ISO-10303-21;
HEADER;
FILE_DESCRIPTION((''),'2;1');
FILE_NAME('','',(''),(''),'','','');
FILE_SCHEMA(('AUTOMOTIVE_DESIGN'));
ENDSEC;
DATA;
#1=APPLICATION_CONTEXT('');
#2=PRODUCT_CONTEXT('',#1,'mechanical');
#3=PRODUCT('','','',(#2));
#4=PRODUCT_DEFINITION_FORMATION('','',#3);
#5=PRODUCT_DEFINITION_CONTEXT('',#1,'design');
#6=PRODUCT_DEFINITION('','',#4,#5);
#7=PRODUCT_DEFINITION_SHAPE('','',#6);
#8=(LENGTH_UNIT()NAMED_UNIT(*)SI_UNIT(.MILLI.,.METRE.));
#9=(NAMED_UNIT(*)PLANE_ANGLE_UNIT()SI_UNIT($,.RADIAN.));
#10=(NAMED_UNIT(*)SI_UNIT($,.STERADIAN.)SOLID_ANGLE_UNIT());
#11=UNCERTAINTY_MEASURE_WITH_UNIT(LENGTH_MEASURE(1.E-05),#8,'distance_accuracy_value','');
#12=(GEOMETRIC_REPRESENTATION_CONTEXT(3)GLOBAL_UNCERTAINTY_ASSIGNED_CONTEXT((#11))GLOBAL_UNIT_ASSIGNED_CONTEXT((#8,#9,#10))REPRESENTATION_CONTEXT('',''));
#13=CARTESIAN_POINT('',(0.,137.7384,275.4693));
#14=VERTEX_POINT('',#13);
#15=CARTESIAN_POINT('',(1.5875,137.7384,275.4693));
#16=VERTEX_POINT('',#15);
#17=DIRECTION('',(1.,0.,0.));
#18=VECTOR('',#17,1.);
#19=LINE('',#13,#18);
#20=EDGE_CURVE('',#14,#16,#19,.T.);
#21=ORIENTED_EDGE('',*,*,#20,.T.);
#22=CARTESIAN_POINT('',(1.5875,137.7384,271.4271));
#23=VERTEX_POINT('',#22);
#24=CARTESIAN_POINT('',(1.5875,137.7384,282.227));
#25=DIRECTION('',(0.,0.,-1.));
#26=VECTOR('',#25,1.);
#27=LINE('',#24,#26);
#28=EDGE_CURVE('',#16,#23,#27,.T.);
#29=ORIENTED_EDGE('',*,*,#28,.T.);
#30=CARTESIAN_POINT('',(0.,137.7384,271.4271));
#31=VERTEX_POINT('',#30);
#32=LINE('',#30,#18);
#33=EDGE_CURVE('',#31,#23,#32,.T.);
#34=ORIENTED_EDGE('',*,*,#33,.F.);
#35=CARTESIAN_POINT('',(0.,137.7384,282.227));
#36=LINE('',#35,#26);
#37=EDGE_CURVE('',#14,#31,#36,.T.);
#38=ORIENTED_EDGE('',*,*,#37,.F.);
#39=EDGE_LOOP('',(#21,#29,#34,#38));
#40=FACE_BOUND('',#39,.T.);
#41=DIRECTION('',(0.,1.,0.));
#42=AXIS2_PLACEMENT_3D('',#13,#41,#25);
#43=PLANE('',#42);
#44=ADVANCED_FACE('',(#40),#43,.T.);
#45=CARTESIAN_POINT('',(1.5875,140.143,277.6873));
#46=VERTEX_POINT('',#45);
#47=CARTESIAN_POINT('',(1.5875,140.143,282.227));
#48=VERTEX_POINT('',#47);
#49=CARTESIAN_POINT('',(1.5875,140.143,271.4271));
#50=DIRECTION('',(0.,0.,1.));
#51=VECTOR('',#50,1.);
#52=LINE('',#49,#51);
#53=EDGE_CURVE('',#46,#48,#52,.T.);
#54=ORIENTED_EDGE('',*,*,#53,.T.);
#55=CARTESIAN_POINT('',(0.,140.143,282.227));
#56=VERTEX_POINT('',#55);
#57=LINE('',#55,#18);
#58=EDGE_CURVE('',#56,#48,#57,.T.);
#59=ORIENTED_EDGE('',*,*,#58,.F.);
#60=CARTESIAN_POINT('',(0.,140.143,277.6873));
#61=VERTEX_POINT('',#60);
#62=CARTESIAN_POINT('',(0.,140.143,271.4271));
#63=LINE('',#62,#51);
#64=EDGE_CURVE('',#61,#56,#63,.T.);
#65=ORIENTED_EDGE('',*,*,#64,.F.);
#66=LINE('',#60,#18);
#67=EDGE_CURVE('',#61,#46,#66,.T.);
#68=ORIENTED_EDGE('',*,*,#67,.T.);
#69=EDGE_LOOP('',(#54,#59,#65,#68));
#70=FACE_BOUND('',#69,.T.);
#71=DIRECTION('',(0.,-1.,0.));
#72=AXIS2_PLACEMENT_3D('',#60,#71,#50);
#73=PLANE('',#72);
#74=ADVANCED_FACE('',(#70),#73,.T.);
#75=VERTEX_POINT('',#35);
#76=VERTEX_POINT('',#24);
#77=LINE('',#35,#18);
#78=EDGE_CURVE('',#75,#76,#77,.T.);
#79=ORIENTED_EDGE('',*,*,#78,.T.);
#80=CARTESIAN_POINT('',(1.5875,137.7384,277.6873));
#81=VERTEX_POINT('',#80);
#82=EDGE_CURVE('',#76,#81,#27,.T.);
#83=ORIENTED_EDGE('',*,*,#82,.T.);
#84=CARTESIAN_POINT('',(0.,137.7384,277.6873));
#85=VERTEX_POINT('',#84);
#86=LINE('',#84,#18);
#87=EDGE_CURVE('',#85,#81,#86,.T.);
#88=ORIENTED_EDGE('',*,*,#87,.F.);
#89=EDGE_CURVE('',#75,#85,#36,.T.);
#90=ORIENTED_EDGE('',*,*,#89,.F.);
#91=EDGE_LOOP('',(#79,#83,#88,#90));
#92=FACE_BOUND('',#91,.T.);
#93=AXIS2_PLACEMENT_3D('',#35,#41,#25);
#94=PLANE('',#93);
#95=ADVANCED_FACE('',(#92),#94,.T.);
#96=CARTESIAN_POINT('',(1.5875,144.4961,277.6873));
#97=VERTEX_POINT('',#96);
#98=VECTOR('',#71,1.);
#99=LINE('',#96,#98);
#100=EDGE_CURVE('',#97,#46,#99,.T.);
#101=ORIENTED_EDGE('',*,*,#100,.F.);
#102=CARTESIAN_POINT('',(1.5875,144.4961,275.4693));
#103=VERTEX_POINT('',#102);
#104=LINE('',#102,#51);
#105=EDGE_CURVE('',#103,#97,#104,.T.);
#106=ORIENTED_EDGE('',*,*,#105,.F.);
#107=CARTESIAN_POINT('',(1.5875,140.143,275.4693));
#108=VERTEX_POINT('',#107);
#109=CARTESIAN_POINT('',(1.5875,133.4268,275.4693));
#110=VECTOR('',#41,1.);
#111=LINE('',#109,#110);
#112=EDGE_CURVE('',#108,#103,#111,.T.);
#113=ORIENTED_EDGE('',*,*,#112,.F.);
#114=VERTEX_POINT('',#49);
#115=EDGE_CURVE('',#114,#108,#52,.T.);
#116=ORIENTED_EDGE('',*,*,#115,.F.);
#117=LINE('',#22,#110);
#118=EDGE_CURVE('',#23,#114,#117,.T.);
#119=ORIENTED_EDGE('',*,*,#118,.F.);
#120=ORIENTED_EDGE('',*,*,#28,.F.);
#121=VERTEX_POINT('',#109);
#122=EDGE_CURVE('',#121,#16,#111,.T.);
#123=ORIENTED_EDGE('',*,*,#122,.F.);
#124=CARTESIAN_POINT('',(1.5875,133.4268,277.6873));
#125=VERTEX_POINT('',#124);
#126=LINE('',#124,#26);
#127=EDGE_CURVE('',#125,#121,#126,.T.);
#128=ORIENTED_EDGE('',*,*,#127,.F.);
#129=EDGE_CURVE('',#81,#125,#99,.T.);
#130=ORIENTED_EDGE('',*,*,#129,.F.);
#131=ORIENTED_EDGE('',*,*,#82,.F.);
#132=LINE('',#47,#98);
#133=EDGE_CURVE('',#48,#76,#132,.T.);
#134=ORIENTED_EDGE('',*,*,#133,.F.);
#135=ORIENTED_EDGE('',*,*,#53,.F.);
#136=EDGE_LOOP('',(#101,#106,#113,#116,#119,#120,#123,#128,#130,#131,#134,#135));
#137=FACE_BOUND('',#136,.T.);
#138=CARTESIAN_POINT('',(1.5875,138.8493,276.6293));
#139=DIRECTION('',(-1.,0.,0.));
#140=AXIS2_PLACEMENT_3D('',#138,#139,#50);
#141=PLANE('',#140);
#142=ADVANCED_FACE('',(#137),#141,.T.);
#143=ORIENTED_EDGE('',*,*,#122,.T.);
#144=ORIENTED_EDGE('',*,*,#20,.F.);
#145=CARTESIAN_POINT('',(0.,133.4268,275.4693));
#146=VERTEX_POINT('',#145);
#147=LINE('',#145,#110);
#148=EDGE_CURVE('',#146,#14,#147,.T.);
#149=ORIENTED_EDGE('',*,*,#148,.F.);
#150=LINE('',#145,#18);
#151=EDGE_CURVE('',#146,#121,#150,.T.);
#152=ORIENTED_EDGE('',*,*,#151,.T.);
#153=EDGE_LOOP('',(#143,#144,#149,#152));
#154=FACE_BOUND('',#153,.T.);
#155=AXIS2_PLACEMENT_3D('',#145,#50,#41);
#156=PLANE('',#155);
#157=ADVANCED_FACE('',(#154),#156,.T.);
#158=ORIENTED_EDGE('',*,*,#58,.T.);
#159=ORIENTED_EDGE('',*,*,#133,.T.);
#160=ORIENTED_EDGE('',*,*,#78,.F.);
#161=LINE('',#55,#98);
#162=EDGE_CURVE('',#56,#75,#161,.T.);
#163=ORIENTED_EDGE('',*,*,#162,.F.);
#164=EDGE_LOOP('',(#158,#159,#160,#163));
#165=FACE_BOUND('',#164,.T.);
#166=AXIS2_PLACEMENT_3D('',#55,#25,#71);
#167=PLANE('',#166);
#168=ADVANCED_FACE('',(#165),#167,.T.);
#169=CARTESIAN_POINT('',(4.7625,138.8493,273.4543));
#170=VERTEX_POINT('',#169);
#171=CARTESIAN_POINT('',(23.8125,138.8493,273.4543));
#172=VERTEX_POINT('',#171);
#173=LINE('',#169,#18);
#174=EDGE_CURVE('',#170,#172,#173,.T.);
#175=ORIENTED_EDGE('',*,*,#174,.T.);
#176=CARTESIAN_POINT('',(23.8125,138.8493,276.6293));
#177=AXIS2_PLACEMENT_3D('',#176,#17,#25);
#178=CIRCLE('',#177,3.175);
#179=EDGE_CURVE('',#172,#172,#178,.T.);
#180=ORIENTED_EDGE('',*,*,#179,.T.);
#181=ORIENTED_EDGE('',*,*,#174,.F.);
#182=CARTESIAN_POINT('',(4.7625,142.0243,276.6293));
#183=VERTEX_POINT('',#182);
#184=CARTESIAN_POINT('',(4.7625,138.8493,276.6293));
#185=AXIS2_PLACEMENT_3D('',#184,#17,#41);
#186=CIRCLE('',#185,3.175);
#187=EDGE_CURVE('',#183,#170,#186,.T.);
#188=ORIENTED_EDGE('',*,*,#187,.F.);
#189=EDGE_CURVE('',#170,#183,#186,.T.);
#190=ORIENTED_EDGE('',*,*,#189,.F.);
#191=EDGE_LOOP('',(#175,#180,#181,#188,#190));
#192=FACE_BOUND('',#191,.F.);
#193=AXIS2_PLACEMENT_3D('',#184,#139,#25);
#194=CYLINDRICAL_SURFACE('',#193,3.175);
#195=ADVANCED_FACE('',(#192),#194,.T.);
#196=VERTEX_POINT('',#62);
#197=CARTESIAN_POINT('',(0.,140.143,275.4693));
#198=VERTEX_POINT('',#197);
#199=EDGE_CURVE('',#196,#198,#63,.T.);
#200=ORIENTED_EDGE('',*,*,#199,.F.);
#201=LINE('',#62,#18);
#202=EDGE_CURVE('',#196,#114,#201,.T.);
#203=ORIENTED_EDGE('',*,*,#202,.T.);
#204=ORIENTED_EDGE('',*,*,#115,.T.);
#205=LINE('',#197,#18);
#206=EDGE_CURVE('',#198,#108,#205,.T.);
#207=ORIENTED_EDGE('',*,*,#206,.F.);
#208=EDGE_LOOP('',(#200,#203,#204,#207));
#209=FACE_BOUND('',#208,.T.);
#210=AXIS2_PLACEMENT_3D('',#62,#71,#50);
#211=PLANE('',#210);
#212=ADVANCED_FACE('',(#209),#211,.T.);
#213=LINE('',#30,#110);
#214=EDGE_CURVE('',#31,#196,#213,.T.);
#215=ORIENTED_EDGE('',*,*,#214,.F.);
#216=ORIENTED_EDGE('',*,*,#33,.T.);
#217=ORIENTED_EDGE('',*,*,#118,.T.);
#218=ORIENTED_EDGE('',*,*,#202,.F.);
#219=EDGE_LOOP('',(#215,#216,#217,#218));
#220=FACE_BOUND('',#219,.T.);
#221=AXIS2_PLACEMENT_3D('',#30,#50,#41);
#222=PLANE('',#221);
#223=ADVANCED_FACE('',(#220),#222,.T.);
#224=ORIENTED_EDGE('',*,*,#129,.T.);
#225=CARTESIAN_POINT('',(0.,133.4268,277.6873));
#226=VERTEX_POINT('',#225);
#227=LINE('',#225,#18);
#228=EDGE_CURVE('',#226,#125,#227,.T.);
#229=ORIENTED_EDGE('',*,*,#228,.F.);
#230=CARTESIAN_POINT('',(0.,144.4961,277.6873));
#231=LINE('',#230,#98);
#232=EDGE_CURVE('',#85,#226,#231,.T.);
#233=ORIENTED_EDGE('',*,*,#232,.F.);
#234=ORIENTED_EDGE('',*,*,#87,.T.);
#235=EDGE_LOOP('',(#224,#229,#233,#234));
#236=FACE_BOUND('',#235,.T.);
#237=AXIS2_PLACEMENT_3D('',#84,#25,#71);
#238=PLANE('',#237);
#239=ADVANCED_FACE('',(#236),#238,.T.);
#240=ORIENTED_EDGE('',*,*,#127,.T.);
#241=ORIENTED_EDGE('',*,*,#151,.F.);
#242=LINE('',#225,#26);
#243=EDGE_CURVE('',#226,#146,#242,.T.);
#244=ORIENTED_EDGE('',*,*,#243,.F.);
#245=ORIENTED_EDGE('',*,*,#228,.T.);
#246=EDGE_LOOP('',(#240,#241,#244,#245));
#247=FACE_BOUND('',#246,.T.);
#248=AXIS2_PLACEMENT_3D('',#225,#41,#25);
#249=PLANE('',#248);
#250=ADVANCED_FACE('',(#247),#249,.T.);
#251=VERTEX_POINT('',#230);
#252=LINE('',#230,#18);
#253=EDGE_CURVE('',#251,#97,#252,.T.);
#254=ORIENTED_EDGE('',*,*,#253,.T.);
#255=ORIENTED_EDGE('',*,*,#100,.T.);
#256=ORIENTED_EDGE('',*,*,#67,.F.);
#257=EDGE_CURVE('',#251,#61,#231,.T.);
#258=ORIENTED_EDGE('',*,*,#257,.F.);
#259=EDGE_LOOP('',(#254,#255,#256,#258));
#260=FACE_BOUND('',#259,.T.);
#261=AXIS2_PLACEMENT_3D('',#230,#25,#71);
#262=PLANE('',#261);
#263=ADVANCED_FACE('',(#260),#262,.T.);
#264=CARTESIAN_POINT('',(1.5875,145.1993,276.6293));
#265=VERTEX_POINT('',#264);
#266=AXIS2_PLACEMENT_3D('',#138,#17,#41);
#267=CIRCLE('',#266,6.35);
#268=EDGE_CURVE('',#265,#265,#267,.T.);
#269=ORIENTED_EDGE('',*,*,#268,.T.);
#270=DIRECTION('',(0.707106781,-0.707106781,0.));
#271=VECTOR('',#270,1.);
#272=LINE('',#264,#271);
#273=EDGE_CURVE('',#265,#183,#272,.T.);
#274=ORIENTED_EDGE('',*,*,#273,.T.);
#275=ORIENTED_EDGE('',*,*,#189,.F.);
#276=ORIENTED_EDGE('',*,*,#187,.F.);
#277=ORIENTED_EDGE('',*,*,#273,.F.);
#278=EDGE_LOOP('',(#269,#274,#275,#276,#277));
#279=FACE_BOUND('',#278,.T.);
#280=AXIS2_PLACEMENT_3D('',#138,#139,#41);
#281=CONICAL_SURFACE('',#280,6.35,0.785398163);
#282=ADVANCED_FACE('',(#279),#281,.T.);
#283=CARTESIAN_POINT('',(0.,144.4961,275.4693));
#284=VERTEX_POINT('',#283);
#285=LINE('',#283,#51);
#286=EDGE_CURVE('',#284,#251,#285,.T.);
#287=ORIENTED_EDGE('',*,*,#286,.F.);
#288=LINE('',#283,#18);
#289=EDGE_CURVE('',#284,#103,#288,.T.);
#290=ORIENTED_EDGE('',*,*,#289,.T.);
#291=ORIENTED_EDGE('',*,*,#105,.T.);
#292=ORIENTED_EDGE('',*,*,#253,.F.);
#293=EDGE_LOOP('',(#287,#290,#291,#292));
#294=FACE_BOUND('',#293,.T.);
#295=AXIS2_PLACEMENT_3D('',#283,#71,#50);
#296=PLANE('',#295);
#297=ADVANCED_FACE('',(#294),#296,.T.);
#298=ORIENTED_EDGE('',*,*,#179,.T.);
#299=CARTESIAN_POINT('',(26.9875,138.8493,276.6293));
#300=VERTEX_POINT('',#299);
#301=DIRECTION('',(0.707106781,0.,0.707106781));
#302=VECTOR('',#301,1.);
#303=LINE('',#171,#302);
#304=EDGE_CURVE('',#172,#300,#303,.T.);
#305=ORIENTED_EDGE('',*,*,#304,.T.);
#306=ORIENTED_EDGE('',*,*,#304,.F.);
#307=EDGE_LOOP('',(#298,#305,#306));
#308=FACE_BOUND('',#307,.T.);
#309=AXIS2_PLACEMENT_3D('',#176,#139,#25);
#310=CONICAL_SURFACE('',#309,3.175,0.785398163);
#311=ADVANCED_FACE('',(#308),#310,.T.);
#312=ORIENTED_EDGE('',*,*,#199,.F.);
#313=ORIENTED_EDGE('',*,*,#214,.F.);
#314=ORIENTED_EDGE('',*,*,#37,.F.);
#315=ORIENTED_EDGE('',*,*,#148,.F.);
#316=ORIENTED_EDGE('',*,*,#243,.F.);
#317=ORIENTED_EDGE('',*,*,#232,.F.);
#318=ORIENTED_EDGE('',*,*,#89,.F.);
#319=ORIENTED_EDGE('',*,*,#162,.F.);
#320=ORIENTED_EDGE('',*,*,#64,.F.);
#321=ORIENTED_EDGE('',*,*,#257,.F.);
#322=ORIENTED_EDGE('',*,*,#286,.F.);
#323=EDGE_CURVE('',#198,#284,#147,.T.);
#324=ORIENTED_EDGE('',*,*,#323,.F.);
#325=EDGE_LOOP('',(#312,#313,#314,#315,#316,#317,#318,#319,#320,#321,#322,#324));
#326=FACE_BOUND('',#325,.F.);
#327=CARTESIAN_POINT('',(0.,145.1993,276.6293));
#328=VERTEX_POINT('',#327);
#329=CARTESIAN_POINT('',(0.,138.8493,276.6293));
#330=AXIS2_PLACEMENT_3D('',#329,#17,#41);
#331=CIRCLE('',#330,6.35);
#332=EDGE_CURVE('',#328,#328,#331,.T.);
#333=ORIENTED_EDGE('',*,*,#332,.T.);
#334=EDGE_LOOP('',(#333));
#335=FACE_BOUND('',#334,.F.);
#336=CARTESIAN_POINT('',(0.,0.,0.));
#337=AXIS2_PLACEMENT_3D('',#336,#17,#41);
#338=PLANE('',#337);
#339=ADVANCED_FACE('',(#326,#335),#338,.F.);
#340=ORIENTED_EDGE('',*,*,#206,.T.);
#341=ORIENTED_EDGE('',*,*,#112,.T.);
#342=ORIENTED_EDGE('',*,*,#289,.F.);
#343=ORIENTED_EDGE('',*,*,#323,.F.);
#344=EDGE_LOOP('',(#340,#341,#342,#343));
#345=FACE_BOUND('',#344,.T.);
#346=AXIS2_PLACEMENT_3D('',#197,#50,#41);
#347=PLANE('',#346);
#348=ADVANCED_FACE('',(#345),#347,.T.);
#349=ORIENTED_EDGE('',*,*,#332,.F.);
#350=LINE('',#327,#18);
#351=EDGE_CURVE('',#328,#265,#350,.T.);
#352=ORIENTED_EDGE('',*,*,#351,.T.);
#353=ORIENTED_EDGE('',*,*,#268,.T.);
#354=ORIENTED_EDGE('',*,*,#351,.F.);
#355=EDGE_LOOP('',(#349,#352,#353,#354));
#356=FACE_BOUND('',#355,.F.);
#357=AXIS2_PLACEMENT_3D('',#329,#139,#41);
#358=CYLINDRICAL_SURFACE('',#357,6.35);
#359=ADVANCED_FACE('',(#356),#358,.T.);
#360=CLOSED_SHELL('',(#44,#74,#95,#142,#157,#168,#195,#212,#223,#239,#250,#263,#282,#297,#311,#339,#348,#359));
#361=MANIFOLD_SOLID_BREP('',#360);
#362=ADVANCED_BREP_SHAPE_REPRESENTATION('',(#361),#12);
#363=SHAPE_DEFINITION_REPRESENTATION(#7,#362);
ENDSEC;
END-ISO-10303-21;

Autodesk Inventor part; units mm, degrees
ref_plane "YZ Plane" through (0, 0, 0) normal (1, 0, 0) x (0, 1, 0)
ref_plane "XZ Plane" through (0, 0, 0) normal (0, 1, 0) x (-1, 0, 0)
ref_plane "XY Plane" through (0, 0, 0) normal (0, 0, 1) x (1, 0, 0)
sketch "Sketch1" plane through (0, 0, 0) normal (1, 0, 0) x (0, 1, 0)
  circle A0 centre (169.2255, 363.3555) radius 48.0965
  circle A1 centre (138.8493, 276.6293) radius 6.35
  point P0 (0, 0)
  dimension "d0" = 12.7
extrude "Extrusion1" add sketch "Sketch1" along normal blind 4.7625 contours A1
chamfer "Chamfer1" distance 3.175 angle 45 1 edges at (4.7625, 132.4993, 276.6293)
sketch "Sketch2" plane through (4.7625, 138.8493, 276.6293) normal (1, 0, 0) x (0, 0, -1)
  circle A0 centre (0, 0) radius 3.175 projected
  circle A1 centre (0, 0) radius 3.175
  point P0 (276.6293, -138.8493)
extrude "Extrusion2" add sketch "Sketch2" along normal blind 22.225
chamfer "Chamfer2" distance 3.175 angle 45 1 edges at (26.9875, 138.8493, 279.8043)
sketch "Sketch3" plane through (0, 138.8493, 276.6293) normal (-1, 0, 0) x (0, 0, 1)
  point P0 (-276.6293, -138.8493)
thread "Thread1" size "1/4-20 UNC" class "2A" standard "ANSI Unified Screw Threads" full length
sketch "Sketch4" plane through (0, 138.8493, 276.6293) normal (-1, 0, 0) x (0, 0, 1)
  line L0 (-1.16, 5.6468) -> (1.058, 5.6468)
  line L1 (1.058, 5.6468) -> (1.058, -5.4225)
  line L2 (1.058, -5.4225) -> (-1.16, -5.4225)
  line L3 (-1.16, -5.4225) -> (-1.16, 5.6468)
  line L4 (-5.2022, 1.2937) -> (5.5977, 1.2937)
  line L5 (5.5977, 1.2937) -> (5.5977, -1.1109)
  line L6 (5.5977, -1.1109) -> (-5.2022, -1.1109)
  line L7 (-5.2022, -1.1109) -> (-5.2022, 1.2937)
  point P0 (-276.6293, -138.8493)
extrude "Extrusion3" cut sketch "Sketch4" against normal blind 1.5875
properties part number "screw"
